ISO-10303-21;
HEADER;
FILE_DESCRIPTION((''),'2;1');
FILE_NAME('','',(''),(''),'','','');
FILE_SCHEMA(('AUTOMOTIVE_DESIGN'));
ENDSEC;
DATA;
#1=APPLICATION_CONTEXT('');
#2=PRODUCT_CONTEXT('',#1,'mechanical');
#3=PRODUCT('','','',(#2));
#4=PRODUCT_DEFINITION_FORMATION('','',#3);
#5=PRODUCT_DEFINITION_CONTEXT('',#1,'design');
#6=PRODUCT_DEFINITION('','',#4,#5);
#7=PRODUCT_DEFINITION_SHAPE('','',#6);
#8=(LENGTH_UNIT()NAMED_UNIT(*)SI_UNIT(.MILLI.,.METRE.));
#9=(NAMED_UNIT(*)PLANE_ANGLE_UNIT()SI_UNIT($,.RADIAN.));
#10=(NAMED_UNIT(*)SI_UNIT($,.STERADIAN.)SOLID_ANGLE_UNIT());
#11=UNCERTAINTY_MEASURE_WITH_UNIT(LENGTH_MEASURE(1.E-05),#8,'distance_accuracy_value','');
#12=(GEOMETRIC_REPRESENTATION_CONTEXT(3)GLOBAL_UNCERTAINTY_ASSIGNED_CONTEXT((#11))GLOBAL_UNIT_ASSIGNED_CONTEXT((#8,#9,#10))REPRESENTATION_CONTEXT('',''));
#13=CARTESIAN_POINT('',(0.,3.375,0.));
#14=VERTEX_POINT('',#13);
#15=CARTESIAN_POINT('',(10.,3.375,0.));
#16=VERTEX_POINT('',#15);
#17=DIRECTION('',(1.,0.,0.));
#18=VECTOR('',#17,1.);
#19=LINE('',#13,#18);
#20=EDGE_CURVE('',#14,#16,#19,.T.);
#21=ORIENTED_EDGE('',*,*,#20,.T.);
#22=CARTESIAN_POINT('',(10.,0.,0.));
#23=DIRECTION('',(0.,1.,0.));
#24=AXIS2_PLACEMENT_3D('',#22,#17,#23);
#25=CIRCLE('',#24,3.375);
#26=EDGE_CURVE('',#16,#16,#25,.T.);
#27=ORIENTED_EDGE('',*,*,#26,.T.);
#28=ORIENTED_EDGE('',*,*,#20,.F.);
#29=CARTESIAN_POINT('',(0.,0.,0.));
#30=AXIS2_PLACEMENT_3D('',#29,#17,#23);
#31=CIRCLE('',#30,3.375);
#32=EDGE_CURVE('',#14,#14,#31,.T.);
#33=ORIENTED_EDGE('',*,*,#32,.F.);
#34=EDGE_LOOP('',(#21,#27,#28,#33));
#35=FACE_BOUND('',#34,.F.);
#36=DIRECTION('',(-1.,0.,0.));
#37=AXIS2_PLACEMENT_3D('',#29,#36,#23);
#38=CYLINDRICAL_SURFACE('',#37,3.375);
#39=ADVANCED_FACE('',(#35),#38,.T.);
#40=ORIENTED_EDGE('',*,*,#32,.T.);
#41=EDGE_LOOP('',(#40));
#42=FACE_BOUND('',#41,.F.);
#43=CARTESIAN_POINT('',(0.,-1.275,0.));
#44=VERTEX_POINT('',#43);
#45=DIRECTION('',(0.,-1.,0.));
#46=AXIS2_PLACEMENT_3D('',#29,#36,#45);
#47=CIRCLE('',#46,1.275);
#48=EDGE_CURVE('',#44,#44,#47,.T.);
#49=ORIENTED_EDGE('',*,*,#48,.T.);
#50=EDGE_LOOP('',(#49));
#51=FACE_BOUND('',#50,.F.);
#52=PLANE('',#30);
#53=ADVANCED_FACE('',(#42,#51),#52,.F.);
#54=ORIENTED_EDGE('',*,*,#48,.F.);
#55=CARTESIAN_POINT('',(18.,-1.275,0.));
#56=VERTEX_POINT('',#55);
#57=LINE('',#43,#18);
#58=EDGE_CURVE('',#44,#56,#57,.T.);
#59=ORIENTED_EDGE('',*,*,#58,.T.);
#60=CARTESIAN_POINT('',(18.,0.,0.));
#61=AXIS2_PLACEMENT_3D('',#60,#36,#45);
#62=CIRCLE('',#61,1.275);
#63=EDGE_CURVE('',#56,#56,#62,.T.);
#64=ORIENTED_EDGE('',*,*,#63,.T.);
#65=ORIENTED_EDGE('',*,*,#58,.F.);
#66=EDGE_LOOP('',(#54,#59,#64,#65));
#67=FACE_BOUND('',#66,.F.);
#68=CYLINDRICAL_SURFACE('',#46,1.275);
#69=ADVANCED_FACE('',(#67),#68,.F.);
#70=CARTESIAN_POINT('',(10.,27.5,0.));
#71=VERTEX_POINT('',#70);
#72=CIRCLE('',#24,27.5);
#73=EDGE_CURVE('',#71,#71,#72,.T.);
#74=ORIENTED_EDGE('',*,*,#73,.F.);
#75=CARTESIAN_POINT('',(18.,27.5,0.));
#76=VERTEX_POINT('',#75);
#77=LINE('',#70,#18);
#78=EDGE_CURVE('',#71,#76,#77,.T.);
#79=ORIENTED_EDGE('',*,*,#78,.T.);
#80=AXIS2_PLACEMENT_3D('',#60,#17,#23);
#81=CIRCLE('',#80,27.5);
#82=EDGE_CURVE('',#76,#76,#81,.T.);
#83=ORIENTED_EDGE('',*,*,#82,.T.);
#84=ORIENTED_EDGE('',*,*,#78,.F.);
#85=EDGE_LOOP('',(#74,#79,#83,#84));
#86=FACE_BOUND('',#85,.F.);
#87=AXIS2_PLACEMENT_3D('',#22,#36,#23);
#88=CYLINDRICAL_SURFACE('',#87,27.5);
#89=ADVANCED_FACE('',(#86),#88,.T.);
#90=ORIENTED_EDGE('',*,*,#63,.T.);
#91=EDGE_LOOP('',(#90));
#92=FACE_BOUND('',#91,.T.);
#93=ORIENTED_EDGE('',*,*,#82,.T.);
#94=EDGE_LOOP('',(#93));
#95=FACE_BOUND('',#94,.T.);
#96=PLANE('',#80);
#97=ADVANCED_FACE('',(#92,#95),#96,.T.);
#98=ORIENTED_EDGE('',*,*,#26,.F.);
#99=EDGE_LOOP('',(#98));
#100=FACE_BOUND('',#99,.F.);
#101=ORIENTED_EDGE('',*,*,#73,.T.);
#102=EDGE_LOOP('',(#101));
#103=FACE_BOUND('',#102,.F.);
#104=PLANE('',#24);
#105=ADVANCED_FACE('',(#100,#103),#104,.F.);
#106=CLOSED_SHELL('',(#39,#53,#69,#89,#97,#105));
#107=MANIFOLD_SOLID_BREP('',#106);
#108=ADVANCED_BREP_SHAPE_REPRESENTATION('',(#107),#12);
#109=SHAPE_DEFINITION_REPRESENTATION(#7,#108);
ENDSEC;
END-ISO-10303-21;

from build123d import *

# Parameters (mm, degrees)
F0_R     = 3.375
F1_DEPTH = 10
F2_R     = 27.5
F2_R_2   = 3.375
F3_DEPTH = 8
F4_R     = 1.275
F5_DEPTH = 25.4


with BuildPart() as f1:
    # F0 (on Right) → F1 (new body)
    with BuildSketch(Plane.YZ):
        Circle(F0_R)
    extrude(amount=F1_DEPTH)

    # F2 (on face) → F3 (join)
    with BuildSketch(Plane.YZ.offset(10)):
        Circle(F2_R)
        Circle(F2_R_2, mode=Mode.SUBTRACT)
        Circle(F2_R_2)
    extrude(amount=F3_DEPTH)

    # F4 (on face) → F5 (cut)
    with BuildSketch(Plane(origin=(0, 0, 0), x_dir=(0, -1, 0), z_dir=(-1, 0, 0))):
        Circle(F4_R)
    extrude(amount=-F5_DEPTH, mode=Mode.SUBTRACT)


solid = f1.part
